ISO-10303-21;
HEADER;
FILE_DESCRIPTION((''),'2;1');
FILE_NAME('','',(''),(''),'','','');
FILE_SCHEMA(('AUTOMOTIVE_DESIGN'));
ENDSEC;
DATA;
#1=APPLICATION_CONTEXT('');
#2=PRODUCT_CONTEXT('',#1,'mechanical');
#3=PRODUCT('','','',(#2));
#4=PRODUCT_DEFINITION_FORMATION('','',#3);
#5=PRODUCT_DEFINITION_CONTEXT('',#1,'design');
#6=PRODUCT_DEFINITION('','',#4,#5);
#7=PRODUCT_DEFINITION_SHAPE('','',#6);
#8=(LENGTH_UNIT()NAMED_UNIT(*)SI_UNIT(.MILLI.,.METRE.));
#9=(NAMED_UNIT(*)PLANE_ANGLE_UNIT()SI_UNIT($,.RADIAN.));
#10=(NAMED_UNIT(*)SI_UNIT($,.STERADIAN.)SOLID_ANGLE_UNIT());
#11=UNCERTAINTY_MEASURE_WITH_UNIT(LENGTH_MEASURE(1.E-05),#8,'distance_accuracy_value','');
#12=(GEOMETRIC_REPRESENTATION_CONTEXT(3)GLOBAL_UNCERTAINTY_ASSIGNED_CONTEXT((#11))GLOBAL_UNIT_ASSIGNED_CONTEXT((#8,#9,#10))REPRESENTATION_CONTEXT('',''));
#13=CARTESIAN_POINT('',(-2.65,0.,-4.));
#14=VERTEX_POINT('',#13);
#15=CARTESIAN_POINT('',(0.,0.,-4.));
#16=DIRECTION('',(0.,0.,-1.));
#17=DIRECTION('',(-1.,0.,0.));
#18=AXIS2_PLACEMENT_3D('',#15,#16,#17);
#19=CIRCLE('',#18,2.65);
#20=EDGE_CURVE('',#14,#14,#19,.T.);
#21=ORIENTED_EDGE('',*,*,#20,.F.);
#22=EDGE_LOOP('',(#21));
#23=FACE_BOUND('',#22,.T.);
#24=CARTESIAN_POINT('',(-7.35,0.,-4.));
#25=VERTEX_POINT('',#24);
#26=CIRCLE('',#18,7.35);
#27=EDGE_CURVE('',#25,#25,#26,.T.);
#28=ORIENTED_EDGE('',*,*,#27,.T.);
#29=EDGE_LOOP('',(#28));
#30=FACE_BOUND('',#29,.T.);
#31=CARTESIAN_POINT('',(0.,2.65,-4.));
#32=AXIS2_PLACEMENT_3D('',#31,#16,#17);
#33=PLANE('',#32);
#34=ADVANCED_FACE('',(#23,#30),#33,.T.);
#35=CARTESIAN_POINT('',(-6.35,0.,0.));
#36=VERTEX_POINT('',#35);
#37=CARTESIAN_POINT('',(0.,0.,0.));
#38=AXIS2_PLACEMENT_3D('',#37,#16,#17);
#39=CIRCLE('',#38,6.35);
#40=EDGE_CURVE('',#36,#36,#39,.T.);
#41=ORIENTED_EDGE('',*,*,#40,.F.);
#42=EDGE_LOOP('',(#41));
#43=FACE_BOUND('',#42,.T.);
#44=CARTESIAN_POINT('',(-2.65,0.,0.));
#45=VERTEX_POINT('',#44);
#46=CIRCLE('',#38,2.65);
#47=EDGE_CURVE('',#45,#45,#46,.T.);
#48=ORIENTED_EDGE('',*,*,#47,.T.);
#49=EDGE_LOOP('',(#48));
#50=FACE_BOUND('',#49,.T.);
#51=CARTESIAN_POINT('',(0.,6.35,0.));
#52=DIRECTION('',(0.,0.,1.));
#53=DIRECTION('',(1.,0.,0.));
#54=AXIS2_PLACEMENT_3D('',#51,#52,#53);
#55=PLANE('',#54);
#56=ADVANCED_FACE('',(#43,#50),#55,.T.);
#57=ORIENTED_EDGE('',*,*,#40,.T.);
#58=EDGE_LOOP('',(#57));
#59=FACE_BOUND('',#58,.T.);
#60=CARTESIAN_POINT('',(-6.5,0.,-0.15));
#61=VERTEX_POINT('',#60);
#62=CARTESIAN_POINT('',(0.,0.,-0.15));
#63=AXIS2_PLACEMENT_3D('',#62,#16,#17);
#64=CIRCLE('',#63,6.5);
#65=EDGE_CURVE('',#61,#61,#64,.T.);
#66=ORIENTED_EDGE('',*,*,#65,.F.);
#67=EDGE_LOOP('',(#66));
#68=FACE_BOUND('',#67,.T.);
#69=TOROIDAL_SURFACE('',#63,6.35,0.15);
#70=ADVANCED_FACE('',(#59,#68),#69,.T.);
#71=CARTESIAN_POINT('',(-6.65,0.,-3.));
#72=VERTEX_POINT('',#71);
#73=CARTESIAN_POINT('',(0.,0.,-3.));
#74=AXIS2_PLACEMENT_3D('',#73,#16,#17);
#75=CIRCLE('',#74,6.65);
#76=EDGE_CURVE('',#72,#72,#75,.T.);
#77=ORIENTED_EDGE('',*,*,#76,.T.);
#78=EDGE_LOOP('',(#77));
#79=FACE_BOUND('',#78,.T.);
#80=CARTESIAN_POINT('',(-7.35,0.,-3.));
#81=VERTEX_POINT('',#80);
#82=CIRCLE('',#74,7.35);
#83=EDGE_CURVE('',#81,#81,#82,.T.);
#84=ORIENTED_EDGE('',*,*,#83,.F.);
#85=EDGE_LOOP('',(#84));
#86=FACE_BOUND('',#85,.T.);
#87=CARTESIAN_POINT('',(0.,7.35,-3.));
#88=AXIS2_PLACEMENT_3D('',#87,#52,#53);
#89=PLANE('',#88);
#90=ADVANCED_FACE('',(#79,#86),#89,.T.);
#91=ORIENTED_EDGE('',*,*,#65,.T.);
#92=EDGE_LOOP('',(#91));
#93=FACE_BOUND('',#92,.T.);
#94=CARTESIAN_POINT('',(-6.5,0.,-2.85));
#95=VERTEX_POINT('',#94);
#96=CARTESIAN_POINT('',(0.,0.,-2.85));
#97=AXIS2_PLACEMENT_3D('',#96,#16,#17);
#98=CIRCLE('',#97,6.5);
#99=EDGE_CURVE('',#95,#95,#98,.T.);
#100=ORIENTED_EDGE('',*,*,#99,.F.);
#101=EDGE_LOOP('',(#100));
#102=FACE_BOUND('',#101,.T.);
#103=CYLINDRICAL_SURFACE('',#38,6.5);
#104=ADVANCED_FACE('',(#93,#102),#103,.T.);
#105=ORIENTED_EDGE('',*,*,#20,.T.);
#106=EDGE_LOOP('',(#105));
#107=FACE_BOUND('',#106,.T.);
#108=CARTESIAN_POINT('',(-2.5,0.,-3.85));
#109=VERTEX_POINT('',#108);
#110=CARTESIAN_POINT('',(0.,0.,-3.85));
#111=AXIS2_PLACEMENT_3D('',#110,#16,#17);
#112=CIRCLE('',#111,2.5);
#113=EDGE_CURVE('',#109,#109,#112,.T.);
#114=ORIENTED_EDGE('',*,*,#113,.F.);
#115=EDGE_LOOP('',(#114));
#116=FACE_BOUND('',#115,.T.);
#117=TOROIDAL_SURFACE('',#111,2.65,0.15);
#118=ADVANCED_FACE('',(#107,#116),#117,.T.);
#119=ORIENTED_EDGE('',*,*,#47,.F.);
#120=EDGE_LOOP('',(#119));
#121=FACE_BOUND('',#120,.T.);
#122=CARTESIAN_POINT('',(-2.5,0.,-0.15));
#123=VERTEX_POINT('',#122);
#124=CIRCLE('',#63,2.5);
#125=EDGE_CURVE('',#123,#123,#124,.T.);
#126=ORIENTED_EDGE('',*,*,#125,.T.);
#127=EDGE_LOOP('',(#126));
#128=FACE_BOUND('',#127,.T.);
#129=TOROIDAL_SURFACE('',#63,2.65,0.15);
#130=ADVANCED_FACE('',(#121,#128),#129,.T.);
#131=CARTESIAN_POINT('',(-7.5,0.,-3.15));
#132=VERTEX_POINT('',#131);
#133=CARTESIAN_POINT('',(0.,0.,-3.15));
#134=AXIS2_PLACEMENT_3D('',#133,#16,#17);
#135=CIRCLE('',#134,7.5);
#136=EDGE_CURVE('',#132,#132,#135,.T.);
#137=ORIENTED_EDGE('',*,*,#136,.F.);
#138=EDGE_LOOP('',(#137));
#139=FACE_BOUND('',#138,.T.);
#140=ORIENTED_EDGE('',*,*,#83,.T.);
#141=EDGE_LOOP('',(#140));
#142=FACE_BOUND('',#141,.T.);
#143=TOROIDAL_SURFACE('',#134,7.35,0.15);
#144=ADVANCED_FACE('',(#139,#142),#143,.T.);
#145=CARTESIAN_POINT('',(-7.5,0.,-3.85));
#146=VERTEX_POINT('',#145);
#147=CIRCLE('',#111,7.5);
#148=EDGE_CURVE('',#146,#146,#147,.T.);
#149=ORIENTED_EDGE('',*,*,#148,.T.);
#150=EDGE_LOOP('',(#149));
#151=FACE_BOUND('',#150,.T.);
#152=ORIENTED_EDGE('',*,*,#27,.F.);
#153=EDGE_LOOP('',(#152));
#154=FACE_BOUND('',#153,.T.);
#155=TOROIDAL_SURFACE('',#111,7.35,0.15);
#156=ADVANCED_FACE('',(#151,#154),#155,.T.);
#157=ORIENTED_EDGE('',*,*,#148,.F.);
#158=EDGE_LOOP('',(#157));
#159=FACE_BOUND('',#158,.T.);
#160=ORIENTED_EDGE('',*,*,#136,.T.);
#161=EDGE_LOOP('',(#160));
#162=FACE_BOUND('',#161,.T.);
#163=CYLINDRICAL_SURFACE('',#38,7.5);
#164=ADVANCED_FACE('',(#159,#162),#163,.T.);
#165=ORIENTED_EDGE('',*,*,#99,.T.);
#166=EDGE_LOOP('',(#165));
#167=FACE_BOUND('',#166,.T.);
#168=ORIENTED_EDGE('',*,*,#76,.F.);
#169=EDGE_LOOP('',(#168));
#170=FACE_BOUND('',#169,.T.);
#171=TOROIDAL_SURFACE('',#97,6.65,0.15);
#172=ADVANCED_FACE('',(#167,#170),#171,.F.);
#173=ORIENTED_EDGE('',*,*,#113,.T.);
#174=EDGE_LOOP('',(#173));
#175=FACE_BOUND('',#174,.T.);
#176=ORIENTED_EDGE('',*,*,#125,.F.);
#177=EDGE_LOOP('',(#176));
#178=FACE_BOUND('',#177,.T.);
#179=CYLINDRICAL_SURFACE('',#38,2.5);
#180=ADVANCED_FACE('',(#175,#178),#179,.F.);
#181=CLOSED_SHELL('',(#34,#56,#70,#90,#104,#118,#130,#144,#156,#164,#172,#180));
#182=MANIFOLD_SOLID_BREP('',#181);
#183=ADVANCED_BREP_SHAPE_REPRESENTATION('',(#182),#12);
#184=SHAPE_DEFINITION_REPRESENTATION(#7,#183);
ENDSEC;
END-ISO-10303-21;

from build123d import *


with BuildPart() as part:
    # Sketch1 → Revolve1 (revolve)
    with BuildSketch(Plane(origin=(0, 0, 0), x_dir=(0, 0, -1), z_dir=(1, 0, 0))):
        with BuildLine():
            Line((4, 2.65), (4, 7.35))
            ThreePointArc((4, 7.35), (3.956066017, 7.456066017), (3.85, 7.5))
            Line((3.85, 7.5), (3.15, 7.5))
            ThreePointArc((3.15, 7.5), (3.043933983, 7.456066017), (3, 7.35))
            Line((3, 7.35), (3, 6.65))
            ThreePointArc((3, 6.65), (2.956066017, 6.543933983), (2.85, 6.5))
            Line((2.85, 6.5), (0.15, 6.5))
            ThreePointArc((0.15, 6.5), (0.043933983, 6.456066017), (0, 6.35))
            Line((0, 6.35), (0, 2.65))
            ThreePointArc((0, 2.65), (0.043933983, 2.543933983), (0.15, 2.5))
            Line((0.15, 2.5), (3.85, 2.5))
            ThreePointArc((3.85, 2.5), (3.956066017, 2.543933983), (4, 2.65))
        make_face()
    revolve(axis=Axis((0, 0, 0), (0, 0, 1)))


solid = part.part
